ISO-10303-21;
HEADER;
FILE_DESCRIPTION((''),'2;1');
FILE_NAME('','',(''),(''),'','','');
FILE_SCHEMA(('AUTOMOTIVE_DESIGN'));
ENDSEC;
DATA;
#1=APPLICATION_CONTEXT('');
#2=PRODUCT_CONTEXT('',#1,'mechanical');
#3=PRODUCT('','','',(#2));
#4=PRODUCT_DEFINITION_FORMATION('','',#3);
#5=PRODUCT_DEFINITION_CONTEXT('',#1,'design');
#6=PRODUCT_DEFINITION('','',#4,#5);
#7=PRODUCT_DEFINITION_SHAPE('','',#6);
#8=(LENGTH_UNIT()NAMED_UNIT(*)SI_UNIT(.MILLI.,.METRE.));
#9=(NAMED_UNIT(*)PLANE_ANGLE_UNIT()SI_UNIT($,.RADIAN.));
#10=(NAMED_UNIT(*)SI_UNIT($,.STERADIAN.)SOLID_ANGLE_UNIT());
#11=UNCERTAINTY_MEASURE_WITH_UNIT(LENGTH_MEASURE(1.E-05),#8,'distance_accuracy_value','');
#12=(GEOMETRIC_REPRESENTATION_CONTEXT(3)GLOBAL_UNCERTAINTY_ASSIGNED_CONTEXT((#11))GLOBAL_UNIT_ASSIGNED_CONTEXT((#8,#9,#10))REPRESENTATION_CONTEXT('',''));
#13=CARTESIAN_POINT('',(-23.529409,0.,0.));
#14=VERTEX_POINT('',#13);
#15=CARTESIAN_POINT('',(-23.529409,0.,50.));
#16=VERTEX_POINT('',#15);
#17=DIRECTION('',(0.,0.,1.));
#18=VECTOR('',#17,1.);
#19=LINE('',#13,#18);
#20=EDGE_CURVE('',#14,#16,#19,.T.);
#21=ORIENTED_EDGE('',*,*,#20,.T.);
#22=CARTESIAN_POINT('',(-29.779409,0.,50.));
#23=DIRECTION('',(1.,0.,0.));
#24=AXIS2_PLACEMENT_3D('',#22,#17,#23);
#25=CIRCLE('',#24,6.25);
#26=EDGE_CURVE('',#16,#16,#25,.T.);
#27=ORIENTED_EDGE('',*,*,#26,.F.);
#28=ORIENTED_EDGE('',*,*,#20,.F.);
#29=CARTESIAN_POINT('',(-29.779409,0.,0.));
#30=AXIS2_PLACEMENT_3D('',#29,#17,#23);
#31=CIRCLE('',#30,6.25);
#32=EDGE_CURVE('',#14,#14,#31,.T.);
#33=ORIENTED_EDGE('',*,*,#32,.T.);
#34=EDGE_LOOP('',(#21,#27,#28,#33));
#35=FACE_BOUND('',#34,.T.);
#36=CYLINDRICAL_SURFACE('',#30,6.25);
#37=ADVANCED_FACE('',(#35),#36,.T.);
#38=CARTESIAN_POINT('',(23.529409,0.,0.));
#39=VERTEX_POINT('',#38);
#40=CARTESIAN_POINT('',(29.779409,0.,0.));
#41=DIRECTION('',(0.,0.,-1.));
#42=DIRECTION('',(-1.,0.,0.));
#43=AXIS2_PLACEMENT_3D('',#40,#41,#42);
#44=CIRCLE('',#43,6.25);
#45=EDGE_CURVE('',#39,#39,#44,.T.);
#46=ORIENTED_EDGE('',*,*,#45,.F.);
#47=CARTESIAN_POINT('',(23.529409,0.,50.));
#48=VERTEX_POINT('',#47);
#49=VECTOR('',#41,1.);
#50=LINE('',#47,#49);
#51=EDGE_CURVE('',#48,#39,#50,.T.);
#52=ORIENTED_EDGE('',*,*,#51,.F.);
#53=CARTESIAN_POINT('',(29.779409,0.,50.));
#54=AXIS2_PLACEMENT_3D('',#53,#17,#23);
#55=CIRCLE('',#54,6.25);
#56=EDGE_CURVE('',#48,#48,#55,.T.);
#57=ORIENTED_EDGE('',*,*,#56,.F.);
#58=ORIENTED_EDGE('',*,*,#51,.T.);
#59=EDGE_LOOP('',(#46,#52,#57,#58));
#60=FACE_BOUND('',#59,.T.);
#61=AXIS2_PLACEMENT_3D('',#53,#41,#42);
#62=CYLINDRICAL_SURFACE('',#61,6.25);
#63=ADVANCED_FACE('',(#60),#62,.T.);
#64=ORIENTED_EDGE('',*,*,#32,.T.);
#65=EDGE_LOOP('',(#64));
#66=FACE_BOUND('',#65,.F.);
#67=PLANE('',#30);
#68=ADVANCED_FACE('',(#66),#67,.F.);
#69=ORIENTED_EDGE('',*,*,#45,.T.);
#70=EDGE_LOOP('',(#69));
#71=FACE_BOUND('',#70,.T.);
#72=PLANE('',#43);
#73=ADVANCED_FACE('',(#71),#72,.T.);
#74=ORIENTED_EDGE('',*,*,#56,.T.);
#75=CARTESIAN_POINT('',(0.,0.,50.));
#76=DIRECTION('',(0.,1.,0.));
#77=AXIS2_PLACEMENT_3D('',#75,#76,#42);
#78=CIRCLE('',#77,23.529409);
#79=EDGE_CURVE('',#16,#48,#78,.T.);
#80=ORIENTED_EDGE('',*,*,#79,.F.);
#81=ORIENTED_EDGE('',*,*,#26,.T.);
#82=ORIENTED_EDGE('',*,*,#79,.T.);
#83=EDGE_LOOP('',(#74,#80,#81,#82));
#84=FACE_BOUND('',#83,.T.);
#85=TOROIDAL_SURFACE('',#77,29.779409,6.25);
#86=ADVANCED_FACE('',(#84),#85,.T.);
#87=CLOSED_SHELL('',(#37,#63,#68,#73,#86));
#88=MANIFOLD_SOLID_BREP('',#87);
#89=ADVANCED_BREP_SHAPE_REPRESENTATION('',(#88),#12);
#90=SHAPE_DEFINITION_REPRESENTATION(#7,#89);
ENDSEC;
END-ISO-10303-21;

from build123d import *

# Parameters (mm, degrees)
F1_R = 6.25


with BuildPart() as f2:
    # F2: sweep along a path in F0
    with BuildLine(Plane.XZ) as f2_path:
        Line((-30, 0), (-30, 50))
        ThreePointArc((-30, 50), (-21.2132034356, 71.2132034356), (0, 80))
        ThreePointArc((0, 80), (21.2132034356, 71.2132034356), (30, 50))
        Line((30, 50), (30, 0))
    # F1 (on Top) → F2 (sweep)
    with BuildSketch(Plane.XY):
        with Locations((-29.779408646, 0)):
            Circle(F1_R)
    sweep(path=f2_path.line)


solid = f2.part
